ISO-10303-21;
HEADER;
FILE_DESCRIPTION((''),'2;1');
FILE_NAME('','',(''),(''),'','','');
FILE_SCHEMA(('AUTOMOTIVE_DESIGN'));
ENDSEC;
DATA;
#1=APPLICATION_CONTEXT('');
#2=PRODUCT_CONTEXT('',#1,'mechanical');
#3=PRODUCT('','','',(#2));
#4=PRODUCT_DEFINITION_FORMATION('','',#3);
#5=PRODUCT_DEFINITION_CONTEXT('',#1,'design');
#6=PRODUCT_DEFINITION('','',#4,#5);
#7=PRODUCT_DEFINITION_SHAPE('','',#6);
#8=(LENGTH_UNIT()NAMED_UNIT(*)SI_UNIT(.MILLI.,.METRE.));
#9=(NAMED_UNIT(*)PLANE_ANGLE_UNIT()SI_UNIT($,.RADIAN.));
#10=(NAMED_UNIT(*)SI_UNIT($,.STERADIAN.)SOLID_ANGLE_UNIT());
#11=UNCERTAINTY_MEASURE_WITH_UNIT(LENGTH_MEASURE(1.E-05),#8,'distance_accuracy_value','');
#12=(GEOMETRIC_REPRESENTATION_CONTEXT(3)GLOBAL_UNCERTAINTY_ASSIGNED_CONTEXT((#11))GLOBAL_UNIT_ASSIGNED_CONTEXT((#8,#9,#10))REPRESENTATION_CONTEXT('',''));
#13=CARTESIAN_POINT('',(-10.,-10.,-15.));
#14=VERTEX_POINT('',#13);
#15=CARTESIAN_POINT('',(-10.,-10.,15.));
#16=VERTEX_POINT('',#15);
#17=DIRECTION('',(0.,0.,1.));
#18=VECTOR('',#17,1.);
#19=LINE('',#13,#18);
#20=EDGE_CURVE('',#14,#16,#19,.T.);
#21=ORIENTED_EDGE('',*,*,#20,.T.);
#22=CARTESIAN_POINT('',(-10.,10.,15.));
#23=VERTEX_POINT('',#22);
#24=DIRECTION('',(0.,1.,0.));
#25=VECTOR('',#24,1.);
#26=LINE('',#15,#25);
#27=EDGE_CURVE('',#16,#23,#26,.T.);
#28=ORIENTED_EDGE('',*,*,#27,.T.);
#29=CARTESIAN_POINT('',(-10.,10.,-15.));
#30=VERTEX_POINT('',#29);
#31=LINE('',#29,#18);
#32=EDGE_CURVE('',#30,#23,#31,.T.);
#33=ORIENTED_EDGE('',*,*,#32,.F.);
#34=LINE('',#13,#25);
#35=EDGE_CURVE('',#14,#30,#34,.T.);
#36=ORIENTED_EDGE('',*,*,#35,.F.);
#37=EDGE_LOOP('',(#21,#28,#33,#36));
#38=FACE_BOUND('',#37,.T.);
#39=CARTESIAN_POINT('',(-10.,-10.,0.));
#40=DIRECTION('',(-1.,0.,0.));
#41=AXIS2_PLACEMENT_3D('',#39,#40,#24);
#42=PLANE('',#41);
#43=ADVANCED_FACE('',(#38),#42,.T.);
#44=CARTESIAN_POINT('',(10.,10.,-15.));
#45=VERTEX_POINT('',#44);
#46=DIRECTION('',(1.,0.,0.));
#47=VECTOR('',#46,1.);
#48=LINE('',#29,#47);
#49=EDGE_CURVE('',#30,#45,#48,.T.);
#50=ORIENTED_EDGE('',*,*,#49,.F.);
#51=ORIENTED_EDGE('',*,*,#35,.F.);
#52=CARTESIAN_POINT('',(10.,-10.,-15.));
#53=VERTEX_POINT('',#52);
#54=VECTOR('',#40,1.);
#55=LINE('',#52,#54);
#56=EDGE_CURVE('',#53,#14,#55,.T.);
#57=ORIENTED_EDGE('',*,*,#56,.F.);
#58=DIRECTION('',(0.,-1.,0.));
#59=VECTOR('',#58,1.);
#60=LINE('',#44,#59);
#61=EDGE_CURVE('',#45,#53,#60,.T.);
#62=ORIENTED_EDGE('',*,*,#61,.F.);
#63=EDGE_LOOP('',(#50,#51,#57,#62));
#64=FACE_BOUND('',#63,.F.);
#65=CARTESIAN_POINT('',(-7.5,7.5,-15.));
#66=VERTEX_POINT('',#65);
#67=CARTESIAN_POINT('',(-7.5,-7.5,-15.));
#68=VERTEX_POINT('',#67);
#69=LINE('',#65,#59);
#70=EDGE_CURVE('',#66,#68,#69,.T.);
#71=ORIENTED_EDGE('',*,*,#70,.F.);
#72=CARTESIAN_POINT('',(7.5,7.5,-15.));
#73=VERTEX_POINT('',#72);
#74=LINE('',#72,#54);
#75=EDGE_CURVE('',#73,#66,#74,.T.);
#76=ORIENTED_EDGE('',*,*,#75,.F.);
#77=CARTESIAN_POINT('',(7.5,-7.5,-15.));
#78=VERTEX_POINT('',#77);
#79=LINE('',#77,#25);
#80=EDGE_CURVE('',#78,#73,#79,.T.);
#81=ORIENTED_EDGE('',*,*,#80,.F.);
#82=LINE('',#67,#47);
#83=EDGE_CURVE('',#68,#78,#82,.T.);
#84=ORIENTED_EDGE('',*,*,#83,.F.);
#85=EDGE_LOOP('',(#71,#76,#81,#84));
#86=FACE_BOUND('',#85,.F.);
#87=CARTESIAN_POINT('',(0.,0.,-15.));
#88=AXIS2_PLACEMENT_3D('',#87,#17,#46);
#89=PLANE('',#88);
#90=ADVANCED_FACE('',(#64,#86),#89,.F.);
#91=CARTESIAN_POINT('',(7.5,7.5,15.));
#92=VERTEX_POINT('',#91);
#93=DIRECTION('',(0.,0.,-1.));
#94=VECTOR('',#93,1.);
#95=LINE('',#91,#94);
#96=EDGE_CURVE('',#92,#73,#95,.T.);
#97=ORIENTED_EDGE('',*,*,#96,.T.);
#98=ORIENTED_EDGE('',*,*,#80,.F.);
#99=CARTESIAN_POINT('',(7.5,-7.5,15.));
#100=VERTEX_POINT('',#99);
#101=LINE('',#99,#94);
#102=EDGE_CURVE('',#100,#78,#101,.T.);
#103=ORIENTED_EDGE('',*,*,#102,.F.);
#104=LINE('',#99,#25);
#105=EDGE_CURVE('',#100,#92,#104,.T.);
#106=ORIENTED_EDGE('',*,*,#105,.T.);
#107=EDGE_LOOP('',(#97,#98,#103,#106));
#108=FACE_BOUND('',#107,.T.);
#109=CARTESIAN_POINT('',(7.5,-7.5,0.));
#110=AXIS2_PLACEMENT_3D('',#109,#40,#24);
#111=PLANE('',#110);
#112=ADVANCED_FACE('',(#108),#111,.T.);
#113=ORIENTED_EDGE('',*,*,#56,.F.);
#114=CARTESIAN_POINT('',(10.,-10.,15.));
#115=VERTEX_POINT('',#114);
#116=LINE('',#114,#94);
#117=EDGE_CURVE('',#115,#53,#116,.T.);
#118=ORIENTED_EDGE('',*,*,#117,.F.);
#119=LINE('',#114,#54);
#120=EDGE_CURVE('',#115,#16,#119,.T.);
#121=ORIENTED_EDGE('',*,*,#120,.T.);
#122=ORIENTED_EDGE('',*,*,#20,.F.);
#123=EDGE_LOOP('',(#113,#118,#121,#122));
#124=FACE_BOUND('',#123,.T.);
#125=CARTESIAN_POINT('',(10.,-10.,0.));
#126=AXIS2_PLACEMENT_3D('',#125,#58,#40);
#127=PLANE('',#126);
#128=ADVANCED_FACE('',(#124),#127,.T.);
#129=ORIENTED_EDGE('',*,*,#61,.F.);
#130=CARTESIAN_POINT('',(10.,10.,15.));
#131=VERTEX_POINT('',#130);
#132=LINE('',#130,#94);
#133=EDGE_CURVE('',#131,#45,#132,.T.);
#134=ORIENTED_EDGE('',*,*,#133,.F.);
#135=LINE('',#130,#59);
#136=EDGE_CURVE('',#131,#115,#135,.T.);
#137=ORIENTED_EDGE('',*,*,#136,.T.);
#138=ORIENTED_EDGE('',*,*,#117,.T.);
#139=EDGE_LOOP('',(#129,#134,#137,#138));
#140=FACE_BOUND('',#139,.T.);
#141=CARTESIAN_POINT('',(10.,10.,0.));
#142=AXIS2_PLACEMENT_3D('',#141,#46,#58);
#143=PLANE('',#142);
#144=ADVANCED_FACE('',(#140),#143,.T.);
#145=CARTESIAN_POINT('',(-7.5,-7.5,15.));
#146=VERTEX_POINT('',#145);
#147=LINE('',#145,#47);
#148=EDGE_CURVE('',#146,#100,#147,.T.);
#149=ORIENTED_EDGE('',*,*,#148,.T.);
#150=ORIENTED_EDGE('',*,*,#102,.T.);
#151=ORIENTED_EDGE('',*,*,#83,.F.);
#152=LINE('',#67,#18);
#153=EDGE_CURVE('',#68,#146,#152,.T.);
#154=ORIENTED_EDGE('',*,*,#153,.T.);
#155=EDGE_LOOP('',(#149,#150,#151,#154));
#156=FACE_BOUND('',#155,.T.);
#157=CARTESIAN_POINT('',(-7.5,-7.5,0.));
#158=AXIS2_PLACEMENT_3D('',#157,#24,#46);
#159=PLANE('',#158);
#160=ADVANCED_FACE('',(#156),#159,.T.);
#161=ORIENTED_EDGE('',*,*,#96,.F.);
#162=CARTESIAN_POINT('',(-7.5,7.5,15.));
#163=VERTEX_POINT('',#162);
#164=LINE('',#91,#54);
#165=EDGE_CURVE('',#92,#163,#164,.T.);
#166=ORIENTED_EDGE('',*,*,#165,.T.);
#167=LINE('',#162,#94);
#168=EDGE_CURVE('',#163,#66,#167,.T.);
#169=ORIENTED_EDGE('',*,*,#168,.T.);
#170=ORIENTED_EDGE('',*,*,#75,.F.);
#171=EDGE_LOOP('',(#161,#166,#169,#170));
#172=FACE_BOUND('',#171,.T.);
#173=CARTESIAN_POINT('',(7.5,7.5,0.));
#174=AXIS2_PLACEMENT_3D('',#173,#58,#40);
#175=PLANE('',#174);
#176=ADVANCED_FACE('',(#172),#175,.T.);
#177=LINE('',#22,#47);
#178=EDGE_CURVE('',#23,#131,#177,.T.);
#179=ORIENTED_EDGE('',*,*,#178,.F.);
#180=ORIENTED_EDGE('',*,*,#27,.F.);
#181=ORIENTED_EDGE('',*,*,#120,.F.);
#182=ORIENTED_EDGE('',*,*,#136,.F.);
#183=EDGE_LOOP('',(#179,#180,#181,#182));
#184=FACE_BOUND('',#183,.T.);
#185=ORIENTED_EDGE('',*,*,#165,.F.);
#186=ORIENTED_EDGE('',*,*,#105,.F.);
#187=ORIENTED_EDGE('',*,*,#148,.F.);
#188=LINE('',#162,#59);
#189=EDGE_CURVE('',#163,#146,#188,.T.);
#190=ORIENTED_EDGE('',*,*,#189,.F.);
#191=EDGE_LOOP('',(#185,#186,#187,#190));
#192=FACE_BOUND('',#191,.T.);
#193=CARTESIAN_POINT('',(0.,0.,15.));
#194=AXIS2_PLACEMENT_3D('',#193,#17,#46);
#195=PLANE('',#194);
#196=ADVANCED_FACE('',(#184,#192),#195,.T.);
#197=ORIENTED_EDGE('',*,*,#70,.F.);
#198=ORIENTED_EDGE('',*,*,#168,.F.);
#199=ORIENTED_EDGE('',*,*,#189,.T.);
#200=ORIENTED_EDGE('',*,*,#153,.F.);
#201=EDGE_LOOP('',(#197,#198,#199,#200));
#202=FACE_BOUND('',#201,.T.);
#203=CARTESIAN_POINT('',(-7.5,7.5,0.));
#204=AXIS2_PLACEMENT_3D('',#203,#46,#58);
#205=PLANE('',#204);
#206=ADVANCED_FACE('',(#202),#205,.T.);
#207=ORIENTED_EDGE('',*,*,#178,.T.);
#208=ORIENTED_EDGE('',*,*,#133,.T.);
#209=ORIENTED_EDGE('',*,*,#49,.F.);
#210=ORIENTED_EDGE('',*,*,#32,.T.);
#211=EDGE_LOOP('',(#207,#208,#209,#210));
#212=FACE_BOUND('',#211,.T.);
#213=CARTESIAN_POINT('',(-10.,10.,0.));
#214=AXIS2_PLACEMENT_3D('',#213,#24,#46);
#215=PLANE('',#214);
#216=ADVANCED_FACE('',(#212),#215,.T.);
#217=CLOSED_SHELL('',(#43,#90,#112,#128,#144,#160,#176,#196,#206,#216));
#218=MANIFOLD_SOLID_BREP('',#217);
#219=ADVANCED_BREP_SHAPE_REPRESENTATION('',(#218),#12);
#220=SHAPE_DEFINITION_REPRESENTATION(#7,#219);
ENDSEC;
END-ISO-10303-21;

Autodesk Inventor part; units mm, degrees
ref_plane "YZ Plane" through (0, 0, 0) normal (1, 0, 0) x (0, 1, 0)
ref_plane "XZ Plane" through (0, 0, 0) normal (0, 1, 0) x (-1, 0, 0)
ref_plane "XY Plane" through (0, 0, 0) normal (0, 0, 1) x (1, 0, 0)
sketch "Esboço1" plane through (0, 0, 0) normal (0, 0, 1) x (1, 0, 0)
  line L0 (-10, 10) -> (10, 10)
  line L1 (10, 10) -> (10, -10)
  line L2 (10, -10) -> (-10, -10)
  line L3 (-10, -10) -> (-10, 10)
  line L4 (-10, 10) -> (10, -10) construction
  line L5 (10, 10) -> (-10, -10) construction
  line L6 (-7.5, -7.5) -> (7.5, -7.5)
  line L7 (7.5, -7.5) -> (7.5, 7.5)
  line L8 (7.5, 7.5) -> (-7.5, 7.5)
  line L9 (-7.5, 7.5) -> (-7.5, -7.5)
  line L10 (-7.5, -7.5) -> (7.5, 7.5) construction
  line L11 (7.5, -7.5) -> (-7.5, 7.5) construction
  point P0 (0, 0)
  point P1 (0, 0)
  point P2 (0, 0)
  dimension "d0" = 20
  dimension "d1" = 10
  dimension "d2" = 15
  dimension "d3" = 15
extrude "Extrusão1" add sketch "Esboço1" along normal mid plane 30
sketch "Esboço2" plane through (0, 0, 15) normal (0, 0, 1) x (1, 0, 0)
  line L0 (10, -10) -> (10, 10) projected
  point P0 (0, 0)
  point P1 (9, 0)
sketch "Esboço10" plane through (0, 0, 0) normal (1, 0, 0) x (0, 1, 0)
  point P0 (0, 0)
sketch "Esboço12" plane through (0, 0, 0) normal (1, 0, 0) x (0, 1, 0)
  line L0 (9, 14) -> (7, 14)
  line L1 (7, 14) -> (7, 12)
  line L2 (7, 12) -> (9, 12)
  line L3 (9, 12) -> (9, 14)
  line L4 (9, 14) -> (7, 12) construction
  line L5 (7, 14) -> (9, 12) construction
  point P0 (0, 0)
  point P1 (8, 13)
properties part number "Peça6_cube"
